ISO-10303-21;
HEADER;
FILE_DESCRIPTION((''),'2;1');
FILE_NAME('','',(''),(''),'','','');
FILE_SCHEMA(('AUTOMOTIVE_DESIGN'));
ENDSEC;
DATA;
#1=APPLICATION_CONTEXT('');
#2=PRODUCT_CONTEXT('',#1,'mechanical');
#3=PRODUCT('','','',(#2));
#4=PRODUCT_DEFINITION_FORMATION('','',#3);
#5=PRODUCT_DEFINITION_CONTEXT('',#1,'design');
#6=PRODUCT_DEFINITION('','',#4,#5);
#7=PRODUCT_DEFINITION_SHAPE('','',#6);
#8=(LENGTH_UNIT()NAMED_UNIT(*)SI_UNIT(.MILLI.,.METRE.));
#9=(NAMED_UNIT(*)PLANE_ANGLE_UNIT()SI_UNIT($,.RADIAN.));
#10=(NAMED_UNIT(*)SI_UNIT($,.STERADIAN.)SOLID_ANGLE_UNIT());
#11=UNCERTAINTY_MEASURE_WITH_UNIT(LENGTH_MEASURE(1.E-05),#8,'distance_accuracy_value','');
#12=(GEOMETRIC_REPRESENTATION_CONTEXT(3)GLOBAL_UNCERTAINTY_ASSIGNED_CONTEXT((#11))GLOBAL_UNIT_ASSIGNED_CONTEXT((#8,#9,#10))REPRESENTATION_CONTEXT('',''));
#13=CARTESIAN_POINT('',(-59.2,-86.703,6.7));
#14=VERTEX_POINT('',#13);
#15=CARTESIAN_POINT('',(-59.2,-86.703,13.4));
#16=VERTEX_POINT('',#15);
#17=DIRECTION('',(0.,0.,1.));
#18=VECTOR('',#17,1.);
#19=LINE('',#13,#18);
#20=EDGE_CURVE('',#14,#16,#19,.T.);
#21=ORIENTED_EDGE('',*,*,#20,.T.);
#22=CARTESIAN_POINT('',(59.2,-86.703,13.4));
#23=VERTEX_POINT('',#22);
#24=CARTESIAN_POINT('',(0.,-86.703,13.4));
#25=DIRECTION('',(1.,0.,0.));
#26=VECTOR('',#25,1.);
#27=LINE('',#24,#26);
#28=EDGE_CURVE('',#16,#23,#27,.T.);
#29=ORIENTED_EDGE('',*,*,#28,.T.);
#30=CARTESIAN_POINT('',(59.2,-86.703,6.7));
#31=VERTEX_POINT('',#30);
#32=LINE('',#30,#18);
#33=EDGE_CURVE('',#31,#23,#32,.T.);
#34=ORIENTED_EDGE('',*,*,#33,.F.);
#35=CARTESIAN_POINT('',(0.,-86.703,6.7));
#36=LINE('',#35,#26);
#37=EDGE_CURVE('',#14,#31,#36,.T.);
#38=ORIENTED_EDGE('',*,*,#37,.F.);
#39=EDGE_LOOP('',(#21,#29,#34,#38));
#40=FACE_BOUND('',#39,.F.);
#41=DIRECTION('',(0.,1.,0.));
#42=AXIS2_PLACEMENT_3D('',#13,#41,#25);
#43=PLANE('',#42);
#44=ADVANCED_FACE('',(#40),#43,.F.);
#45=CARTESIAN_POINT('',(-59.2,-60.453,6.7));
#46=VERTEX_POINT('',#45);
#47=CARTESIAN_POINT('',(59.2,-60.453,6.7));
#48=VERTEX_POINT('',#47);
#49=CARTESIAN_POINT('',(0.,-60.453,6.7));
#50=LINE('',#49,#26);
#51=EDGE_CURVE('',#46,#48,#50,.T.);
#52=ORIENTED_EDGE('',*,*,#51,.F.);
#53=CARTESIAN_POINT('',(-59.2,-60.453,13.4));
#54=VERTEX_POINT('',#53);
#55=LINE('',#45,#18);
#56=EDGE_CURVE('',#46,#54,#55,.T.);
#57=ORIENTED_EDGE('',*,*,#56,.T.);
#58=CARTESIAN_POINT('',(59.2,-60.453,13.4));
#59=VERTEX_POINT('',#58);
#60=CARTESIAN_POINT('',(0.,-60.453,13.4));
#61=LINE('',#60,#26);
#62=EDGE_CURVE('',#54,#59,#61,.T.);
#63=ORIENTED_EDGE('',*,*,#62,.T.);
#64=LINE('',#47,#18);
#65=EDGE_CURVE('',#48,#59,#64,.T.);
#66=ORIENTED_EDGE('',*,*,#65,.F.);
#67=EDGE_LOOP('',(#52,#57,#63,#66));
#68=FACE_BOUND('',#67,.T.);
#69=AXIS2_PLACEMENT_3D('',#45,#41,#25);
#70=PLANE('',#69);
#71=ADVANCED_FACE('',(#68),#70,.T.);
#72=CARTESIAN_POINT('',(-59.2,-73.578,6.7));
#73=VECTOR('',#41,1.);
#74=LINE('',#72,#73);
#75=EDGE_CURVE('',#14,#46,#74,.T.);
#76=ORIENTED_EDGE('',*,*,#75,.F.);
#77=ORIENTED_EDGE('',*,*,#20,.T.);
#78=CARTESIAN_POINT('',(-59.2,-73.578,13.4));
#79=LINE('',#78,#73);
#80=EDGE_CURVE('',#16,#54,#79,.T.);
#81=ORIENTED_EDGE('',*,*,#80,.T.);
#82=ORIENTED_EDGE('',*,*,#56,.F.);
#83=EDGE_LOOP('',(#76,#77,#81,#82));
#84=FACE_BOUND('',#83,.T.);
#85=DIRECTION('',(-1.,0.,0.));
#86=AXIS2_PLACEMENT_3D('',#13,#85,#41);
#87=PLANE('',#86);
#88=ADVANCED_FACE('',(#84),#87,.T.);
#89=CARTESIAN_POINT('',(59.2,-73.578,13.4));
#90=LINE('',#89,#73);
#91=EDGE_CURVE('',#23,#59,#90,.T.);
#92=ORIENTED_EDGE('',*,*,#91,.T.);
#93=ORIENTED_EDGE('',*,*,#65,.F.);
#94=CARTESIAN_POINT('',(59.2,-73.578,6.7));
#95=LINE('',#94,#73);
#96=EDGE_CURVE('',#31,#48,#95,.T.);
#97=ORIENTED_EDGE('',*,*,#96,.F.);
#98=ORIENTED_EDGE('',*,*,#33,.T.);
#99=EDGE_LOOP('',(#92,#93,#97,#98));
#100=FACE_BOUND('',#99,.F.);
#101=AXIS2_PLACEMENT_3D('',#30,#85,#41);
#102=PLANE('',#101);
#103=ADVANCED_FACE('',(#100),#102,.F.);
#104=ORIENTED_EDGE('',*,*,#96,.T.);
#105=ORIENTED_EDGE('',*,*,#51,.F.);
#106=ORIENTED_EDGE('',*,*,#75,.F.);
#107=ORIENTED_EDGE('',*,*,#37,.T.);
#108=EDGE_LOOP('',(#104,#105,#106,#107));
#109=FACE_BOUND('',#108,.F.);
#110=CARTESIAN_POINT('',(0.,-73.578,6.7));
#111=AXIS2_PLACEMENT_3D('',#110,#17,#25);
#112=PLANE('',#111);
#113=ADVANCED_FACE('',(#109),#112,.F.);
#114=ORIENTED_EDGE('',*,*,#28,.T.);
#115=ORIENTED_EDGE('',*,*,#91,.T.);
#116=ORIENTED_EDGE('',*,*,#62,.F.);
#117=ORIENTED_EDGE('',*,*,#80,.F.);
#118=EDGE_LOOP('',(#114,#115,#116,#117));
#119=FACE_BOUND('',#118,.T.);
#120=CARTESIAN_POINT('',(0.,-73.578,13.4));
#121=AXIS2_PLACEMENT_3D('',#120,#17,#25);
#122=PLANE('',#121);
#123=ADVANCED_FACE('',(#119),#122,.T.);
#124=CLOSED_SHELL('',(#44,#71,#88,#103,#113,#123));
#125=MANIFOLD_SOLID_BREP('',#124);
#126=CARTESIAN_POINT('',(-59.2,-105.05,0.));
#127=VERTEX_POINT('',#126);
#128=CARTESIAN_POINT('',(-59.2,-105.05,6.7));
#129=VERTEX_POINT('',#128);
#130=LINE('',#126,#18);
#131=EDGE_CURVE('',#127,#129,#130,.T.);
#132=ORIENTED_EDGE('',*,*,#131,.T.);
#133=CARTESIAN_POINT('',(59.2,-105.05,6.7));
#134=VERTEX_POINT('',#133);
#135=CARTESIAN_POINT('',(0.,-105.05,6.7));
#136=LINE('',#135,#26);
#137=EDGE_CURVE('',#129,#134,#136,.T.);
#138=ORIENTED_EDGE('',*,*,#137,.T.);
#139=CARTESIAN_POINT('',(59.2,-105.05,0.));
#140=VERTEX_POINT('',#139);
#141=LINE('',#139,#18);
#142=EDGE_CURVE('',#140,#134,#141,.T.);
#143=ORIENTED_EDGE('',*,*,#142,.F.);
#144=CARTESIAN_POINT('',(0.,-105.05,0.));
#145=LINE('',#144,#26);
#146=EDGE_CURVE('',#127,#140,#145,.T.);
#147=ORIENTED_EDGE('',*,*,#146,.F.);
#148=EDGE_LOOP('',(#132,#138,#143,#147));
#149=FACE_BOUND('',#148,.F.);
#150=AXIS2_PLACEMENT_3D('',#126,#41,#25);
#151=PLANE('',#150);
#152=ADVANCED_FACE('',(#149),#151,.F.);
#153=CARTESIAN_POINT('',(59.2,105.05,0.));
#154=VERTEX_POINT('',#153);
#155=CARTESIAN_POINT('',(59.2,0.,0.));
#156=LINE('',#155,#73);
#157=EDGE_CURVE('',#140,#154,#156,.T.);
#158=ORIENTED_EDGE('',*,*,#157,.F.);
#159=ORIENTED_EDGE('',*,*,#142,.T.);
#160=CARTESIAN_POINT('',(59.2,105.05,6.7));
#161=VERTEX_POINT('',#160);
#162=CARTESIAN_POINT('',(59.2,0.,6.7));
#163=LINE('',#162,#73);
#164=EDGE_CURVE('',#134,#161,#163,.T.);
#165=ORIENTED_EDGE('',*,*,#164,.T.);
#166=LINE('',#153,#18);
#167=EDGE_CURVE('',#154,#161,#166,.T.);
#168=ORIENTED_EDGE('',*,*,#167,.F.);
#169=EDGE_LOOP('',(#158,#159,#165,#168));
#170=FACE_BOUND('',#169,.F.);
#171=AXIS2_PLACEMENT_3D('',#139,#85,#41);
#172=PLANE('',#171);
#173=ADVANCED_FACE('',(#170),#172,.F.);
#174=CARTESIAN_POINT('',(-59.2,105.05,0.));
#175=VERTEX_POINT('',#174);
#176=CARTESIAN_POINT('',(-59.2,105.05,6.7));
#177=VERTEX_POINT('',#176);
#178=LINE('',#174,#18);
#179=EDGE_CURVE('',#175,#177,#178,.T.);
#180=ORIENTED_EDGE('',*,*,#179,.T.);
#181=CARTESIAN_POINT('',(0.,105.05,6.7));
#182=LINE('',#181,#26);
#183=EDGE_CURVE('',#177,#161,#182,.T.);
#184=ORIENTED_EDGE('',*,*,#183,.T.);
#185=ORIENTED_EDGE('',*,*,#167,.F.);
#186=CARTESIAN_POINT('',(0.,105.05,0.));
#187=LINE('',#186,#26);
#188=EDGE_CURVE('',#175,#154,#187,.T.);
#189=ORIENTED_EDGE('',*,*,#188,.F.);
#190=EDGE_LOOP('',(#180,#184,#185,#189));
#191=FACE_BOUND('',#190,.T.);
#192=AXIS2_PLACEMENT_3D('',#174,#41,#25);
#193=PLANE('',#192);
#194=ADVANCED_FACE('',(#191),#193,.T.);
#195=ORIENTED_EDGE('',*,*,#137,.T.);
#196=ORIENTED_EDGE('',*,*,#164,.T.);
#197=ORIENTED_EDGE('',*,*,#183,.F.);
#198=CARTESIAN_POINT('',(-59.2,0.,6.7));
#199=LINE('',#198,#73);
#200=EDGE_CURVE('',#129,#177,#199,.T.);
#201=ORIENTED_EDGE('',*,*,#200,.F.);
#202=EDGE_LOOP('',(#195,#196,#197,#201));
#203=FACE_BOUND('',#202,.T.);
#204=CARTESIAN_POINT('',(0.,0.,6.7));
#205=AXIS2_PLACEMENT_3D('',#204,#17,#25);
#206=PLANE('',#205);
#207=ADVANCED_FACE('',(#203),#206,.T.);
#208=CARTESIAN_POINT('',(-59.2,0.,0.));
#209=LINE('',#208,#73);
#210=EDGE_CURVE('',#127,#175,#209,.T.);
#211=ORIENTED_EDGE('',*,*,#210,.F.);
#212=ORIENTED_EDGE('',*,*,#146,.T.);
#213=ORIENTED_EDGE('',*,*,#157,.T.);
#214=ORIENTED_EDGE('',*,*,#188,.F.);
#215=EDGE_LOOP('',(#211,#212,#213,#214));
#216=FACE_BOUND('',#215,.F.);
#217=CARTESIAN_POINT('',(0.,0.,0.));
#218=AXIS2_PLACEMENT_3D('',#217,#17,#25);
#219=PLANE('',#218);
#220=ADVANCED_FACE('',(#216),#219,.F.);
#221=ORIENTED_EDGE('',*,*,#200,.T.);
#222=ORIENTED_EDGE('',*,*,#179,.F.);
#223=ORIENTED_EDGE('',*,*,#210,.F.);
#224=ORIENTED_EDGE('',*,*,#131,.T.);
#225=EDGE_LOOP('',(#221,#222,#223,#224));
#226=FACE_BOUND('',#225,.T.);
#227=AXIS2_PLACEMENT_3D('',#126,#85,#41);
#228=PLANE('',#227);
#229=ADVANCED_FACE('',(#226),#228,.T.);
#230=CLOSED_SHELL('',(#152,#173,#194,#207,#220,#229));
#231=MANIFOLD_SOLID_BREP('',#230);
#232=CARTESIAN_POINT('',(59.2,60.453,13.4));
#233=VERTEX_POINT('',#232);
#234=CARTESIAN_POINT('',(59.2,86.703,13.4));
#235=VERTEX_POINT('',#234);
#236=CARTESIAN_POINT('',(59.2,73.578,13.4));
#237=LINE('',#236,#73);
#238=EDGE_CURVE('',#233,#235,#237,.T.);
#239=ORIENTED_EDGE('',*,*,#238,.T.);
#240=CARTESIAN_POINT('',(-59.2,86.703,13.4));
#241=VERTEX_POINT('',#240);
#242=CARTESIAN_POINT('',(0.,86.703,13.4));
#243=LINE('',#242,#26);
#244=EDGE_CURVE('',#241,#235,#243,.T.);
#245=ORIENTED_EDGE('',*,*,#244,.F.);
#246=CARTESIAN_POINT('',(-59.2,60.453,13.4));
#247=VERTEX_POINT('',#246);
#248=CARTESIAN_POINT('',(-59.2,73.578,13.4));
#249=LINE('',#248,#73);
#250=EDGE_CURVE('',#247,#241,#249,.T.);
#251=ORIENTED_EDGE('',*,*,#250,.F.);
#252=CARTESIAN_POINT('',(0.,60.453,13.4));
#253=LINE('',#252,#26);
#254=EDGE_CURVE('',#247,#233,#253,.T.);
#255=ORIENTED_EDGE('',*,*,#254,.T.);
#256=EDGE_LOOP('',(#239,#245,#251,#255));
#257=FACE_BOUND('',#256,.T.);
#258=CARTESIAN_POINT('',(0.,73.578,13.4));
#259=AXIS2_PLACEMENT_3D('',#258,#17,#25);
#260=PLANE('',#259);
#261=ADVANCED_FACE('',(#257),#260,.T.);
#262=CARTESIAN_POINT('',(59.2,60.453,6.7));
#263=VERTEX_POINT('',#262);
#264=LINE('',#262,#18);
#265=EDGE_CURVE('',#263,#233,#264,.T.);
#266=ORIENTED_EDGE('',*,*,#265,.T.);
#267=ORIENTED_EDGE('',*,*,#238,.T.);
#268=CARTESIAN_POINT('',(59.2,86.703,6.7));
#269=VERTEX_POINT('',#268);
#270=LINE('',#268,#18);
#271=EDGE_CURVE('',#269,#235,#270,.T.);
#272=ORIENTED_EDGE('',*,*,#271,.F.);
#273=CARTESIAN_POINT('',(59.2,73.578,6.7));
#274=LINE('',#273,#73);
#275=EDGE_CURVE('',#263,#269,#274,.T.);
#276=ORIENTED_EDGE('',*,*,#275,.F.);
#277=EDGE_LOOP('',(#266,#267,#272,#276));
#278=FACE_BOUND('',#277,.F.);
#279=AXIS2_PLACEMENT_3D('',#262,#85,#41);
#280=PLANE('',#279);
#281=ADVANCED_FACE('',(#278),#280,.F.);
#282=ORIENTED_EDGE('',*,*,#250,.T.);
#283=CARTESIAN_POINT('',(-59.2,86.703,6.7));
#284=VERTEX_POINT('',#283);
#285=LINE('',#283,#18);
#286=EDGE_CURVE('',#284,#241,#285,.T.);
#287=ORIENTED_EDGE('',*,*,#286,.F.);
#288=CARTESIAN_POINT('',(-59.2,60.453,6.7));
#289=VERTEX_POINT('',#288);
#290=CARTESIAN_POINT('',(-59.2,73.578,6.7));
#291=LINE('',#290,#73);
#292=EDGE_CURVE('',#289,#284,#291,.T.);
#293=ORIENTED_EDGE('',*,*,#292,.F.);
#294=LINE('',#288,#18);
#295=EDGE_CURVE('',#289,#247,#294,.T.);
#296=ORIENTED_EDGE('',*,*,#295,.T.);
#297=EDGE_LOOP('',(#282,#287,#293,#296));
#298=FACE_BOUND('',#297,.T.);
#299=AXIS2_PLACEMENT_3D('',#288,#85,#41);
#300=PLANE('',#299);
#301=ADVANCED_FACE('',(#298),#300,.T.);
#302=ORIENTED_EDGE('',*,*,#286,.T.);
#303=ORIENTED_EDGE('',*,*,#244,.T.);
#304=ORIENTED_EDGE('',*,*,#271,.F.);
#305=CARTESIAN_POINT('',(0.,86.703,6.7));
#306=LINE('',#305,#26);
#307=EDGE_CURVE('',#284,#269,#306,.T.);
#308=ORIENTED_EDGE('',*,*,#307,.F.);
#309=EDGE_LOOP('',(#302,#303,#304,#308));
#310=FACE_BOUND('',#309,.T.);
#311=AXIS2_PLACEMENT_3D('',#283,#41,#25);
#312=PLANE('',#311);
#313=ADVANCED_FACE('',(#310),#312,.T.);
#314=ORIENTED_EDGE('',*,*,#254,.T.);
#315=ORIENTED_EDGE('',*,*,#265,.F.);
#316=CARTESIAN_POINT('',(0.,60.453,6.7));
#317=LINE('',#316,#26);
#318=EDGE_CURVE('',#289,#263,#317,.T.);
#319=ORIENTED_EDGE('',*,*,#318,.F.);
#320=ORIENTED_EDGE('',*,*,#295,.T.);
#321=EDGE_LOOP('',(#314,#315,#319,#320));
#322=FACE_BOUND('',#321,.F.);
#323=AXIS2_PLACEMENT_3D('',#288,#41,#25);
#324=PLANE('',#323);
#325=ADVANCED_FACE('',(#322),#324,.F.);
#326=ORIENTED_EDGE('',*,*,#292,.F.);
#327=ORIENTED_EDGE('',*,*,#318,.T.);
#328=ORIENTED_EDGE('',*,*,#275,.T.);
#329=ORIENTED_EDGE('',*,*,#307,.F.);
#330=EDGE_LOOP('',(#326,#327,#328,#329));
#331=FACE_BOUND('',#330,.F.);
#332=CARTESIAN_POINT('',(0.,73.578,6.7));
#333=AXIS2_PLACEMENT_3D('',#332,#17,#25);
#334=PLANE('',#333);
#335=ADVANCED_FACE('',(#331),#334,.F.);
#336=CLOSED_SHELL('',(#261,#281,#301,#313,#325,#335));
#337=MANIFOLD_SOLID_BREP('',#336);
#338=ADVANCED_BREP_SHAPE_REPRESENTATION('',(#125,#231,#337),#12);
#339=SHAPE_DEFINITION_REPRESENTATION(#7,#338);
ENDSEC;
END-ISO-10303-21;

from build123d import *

# Parameters (mm, degrees)
F1_W     = 118.4
F1_H     = 210.1
F2_DEPTH = 6.7
F3_W     = 118.4
F3_H     = 26.25
F4_DEPTH = 6.7


with BuildPart() as f2:
    # F1 (on Top) → F2 (new body)
    with BuildSketch(Plane.XY):
        Rectangle(F1_W, F1_H)
    extrude(amount=F2_DEPTH)


with BuildPart() as f4:
    # F3 (on face) → F4 (new body)
    with BuildSketch(Plane.XY.offset(6.7)):
        with Locations((0, -73.578)):
            Rectangle(F3_W, F3_H)
    extrude(amount=F4_DEPTH)


with BuildPart() as f4b:
    # F3 (on face) → F4, piece 2 (new body)
    with BuildSketch(Plane.XY.offset(6.7)):
        with Locations((0, 73.578)):
            Rectangle(F3_W, F3_H)
    extrude(amount=F4_DEPTH)


solid = Compound([f2.part, f4.part, f4b.part])
